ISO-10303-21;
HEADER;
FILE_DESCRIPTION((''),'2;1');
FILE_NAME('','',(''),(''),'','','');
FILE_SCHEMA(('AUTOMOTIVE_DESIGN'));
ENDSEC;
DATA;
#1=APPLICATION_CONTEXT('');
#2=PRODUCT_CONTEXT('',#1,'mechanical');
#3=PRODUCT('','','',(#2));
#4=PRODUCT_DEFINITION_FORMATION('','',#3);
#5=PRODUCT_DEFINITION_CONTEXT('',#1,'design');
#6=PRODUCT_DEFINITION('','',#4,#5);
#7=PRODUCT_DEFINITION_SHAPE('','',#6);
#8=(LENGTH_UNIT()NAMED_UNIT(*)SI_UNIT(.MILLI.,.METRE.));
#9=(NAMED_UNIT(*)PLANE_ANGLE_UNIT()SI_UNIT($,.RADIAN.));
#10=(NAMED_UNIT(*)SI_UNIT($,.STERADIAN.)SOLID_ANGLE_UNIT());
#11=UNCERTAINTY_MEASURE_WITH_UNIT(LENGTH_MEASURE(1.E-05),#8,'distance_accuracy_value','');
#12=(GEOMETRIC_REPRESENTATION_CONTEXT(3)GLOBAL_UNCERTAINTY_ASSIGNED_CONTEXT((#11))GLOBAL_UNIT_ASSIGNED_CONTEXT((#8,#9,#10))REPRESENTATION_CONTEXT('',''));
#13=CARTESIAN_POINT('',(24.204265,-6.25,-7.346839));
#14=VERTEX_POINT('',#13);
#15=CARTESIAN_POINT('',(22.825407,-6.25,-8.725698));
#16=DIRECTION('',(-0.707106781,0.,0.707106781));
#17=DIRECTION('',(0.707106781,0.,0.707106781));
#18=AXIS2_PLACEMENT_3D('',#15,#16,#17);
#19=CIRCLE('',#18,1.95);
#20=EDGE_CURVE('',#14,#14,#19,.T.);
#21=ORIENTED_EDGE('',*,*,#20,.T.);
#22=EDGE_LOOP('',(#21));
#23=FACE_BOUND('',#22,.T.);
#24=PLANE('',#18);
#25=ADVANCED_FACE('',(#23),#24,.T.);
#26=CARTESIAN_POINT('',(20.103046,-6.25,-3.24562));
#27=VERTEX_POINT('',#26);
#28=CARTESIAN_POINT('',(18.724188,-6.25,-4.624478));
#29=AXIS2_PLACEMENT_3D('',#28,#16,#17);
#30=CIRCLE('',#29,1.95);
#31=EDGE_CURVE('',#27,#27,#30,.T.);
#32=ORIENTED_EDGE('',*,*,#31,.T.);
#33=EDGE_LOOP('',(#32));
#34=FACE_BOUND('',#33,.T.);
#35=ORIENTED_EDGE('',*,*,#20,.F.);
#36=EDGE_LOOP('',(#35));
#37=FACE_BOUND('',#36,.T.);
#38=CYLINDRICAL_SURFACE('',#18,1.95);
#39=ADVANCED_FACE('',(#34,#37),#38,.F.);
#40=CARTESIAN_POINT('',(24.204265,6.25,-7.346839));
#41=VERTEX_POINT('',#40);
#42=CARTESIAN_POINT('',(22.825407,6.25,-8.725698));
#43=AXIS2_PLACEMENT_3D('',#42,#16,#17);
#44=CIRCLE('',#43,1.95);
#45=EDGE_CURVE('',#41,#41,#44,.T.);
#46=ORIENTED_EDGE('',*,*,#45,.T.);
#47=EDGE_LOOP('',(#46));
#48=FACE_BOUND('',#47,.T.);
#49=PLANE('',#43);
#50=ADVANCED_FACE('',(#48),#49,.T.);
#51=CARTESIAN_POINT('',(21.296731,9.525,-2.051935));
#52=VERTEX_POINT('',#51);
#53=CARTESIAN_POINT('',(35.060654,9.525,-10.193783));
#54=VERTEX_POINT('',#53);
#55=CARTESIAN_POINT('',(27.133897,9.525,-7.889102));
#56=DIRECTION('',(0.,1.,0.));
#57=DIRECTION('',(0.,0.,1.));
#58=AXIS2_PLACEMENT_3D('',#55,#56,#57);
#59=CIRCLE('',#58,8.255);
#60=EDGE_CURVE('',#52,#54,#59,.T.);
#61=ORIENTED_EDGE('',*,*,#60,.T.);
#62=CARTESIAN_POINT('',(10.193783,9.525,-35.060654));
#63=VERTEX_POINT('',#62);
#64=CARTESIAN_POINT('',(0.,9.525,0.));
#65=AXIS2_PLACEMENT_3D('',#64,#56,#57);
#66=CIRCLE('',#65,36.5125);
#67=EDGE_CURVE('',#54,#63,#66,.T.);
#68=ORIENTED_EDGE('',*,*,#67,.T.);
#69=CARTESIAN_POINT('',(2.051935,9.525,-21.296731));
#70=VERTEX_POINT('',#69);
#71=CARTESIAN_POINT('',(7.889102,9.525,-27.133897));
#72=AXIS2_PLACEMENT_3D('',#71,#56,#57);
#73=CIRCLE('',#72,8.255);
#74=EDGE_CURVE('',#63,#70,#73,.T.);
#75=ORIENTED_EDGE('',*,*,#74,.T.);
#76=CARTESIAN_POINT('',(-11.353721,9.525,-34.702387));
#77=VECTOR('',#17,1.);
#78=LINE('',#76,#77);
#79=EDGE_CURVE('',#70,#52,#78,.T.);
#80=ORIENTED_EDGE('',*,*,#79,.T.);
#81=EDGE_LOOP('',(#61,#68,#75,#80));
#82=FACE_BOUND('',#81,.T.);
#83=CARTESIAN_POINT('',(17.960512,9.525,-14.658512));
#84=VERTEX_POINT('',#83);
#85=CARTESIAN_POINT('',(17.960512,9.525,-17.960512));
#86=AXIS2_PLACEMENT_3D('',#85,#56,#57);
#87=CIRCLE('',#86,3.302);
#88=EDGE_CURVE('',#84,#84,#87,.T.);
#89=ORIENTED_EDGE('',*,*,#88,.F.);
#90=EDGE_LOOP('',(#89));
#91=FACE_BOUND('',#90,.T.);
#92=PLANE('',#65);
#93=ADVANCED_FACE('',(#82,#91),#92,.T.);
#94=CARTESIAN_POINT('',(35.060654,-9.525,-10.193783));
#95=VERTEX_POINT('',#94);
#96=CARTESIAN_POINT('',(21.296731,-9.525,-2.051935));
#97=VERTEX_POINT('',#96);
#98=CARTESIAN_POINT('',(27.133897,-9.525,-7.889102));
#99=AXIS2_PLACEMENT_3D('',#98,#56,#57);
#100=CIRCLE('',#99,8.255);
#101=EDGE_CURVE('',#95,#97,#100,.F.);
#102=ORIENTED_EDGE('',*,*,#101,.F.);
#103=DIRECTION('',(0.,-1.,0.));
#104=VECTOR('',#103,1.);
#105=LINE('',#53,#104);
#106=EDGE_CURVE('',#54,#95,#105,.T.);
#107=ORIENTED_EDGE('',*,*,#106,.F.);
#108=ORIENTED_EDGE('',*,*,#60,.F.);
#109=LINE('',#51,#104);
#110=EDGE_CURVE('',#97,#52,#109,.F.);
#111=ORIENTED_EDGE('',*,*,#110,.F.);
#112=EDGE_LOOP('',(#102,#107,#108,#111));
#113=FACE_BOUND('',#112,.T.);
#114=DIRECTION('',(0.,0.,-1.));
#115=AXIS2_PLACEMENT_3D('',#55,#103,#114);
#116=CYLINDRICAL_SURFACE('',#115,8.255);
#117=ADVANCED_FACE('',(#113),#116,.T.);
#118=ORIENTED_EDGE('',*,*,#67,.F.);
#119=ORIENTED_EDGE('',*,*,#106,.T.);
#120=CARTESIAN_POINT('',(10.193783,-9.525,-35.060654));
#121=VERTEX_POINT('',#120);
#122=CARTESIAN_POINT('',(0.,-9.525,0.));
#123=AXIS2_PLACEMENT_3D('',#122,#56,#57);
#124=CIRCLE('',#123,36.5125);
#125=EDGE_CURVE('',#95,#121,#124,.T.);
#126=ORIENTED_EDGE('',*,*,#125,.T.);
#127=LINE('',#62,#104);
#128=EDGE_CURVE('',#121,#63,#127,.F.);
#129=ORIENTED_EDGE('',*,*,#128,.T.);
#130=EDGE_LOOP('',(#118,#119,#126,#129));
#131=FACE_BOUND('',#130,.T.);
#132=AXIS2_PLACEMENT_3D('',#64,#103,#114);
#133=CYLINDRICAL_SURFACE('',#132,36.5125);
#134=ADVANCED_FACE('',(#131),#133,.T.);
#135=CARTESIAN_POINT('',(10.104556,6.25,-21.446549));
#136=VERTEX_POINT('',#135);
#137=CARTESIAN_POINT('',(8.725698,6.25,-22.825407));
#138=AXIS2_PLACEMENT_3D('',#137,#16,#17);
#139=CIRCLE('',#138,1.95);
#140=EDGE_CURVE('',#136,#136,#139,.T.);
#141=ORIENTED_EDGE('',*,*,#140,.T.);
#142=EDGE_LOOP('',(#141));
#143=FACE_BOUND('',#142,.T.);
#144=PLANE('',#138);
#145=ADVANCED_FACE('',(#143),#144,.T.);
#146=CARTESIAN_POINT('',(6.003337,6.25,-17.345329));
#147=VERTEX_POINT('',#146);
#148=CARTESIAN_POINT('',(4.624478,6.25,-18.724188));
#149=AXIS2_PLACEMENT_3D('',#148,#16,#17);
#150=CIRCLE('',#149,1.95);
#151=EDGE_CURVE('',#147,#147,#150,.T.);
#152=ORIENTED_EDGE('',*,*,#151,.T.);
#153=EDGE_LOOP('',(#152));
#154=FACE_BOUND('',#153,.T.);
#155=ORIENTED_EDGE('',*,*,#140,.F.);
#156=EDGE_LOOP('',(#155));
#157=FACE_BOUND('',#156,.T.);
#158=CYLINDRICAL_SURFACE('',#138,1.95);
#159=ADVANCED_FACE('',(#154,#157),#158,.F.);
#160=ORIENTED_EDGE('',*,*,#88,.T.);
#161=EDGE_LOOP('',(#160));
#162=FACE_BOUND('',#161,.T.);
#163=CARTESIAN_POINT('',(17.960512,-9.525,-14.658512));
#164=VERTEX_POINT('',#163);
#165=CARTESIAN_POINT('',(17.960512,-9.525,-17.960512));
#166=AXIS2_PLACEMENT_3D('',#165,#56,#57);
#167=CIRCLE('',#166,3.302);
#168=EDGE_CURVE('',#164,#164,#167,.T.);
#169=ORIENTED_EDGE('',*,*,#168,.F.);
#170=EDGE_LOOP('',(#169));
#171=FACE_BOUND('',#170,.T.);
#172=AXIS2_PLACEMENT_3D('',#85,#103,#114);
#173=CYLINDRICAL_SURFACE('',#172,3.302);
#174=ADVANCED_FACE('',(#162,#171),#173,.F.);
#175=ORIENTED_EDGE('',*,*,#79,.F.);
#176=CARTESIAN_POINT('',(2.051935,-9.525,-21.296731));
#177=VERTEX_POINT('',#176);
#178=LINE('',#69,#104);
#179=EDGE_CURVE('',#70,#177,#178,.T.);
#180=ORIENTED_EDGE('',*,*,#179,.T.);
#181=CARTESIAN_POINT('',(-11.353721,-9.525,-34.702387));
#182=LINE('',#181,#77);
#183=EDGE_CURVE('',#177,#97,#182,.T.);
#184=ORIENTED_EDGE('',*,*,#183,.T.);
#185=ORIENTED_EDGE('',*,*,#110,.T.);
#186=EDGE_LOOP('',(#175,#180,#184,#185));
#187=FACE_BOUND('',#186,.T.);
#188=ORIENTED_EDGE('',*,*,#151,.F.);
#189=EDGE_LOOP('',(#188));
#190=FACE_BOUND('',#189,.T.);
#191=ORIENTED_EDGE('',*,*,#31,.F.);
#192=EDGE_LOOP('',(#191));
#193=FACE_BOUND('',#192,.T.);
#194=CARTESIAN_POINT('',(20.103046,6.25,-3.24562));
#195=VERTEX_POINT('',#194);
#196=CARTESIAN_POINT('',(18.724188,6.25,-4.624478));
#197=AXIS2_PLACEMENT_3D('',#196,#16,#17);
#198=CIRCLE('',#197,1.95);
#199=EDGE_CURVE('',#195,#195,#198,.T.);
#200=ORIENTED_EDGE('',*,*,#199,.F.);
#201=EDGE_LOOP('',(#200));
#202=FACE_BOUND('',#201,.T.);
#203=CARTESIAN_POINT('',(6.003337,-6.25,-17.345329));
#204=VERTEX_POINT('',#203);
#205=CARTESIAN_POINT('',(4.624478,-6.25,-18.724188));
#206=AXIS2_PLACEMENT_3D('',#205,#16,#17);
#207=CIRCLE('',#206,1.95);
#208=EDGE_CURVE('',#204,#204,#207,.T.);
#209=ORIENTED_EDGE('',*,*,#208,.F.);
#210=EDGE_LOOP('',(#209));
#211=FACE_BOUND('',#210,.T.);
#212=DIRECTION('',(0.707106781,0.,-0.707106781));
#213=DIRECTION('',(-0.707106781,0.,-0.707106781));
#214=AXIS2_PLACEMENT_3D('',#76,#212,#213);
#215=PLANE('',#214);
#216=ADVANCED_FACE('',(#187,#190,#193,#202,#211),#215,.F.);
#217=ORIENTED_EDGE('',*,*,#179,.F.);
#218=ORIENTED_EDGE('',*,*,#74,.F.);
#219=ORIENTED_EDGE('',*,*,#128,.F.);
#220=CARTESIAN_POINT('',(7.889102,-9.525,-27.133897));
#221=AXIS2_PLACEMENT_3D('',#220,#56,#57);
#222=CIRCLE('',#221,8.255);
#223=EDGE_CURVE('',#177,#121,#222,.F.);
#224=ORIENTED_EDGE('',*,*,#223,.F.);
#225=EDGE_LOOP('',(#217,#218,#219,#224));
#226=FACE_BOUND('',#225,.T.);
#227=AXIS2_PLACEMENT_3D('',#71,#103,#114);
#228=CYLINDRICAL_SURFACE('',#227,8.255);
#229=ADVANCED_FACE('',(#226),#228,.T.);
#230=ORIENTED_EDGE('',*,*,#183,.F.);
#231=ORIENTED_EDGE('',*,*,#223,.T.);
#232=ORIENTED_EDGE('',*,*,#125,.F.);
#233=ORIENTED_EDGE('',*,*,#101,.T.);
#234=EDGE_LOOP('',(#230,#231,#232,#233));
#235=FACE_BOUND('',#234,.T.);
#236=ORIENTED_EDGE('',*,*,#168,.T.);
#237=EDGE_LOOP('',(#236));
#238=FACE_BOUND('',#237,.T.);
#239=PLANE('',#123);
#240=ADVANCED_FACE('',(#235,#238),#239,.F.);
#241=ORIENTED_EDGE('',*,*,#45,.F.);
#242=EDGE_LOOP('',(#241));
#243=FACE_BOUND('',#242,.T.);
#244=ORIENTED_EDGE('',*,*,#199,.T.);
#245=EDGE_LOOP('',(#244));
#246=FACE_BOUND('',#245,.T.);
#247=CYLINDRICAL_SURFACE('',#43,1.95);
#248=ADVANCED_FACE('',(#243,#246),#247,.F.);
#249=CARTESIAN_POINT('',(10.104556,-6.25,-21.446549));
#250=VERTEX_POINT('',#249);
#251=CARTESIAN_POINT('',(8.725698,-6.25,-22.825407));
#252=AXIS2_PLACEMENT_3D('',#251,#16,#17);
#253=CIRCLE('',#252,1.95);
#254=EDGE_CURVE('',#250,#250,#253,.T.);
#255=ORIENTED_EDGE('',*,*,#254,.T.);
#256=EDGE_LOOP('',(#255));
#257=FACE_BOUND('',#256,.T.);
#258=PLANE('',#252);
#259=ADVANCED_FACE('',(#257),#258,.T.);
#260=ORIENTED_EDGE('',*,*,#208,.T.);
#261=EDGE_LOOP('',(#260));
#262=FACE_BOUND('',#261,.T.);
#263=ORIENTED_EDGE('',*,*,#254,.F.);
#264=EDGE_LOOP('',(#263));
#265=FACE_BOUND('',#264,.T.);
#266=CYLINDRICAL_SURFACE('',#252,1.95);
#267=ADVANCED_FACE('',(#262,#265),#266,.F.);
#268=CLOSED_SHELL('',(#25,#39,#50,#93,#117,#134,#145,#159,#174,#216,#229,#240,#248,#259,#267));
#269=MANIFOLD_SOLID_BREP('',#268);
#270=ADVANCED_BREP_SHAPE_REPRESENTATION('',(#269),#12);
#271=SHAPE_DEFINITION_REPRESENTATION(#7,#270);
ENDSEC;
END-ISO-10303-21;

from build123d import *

# Parameters (mm, degrees)
SKETCH2_R           = 3.302
BOSS_EXTRUDE2_DEPTH = 9.525
SKETCH4_R           = 1.950000037
CUT_EXTRUDE2_DEPTH  = 5.800000084
FILLET1_R           = 8.255


with BuildPart() as part:
    # Sketch2 → Boss-Extrude2 (new body, symmetric)
    with BuildSketch(Plane(origin=(0, 0, 0), x_dir=(1, 0, 0), z_dir=(0, 1, 0))):
        with BuildLine():
            Line((-11.353721197, 34.702387112), (34.702387112, -11.353721197))
            ThreePointArc((34.702387112, -11.353721197), (25.818236348, 25.818236348), (-11.353721197, 34.702387112))
        make_face()
        with Locations((17.960512242, 17.960512242)):
            Circle(SKETCH2_R, mode=Mode.SUBTRACT)
    extrude(amount=BOSS_EXTRUDE2_DEPTH, both=True)

    # Sketch4 → Cut-Extrude2 (cut)
    with BuildSketch(Plane(origin=(11.674332957, 0, -11.674332957), x_dir=(0.707106781, 0, 0.707106781), z_dir=(-0.707106781, 0, 0.707106781))):
        with Locations((9.969999999, 6.249999946)):
            Circle(SKETCH4_R)
        with Locations((-9.969999999, 6.249999946)):
            Circle(SKETCH4_R)
        with Locations((-9.969999999, -6.249999946)):
            Circle(SKETCH4_R)
        with Locations((9.969999999, -6.249999946)):
            Circle(SKETCH4_R)
    extrude(amount=-CUT_EXTRUDE2_DEPTH, mode=Mode.SUBTRACT)

    # Fillet1
    fillet1_edges = [part.edges().sort_by_distance(p)[0] for p in [
        (34.702387112, 0, 11.353721197),
        (-11.353721197, 0, -34.702387112),
    ]]
    fillet(fillet1_edges, radius=FILLET1_R)


solid = part.part
